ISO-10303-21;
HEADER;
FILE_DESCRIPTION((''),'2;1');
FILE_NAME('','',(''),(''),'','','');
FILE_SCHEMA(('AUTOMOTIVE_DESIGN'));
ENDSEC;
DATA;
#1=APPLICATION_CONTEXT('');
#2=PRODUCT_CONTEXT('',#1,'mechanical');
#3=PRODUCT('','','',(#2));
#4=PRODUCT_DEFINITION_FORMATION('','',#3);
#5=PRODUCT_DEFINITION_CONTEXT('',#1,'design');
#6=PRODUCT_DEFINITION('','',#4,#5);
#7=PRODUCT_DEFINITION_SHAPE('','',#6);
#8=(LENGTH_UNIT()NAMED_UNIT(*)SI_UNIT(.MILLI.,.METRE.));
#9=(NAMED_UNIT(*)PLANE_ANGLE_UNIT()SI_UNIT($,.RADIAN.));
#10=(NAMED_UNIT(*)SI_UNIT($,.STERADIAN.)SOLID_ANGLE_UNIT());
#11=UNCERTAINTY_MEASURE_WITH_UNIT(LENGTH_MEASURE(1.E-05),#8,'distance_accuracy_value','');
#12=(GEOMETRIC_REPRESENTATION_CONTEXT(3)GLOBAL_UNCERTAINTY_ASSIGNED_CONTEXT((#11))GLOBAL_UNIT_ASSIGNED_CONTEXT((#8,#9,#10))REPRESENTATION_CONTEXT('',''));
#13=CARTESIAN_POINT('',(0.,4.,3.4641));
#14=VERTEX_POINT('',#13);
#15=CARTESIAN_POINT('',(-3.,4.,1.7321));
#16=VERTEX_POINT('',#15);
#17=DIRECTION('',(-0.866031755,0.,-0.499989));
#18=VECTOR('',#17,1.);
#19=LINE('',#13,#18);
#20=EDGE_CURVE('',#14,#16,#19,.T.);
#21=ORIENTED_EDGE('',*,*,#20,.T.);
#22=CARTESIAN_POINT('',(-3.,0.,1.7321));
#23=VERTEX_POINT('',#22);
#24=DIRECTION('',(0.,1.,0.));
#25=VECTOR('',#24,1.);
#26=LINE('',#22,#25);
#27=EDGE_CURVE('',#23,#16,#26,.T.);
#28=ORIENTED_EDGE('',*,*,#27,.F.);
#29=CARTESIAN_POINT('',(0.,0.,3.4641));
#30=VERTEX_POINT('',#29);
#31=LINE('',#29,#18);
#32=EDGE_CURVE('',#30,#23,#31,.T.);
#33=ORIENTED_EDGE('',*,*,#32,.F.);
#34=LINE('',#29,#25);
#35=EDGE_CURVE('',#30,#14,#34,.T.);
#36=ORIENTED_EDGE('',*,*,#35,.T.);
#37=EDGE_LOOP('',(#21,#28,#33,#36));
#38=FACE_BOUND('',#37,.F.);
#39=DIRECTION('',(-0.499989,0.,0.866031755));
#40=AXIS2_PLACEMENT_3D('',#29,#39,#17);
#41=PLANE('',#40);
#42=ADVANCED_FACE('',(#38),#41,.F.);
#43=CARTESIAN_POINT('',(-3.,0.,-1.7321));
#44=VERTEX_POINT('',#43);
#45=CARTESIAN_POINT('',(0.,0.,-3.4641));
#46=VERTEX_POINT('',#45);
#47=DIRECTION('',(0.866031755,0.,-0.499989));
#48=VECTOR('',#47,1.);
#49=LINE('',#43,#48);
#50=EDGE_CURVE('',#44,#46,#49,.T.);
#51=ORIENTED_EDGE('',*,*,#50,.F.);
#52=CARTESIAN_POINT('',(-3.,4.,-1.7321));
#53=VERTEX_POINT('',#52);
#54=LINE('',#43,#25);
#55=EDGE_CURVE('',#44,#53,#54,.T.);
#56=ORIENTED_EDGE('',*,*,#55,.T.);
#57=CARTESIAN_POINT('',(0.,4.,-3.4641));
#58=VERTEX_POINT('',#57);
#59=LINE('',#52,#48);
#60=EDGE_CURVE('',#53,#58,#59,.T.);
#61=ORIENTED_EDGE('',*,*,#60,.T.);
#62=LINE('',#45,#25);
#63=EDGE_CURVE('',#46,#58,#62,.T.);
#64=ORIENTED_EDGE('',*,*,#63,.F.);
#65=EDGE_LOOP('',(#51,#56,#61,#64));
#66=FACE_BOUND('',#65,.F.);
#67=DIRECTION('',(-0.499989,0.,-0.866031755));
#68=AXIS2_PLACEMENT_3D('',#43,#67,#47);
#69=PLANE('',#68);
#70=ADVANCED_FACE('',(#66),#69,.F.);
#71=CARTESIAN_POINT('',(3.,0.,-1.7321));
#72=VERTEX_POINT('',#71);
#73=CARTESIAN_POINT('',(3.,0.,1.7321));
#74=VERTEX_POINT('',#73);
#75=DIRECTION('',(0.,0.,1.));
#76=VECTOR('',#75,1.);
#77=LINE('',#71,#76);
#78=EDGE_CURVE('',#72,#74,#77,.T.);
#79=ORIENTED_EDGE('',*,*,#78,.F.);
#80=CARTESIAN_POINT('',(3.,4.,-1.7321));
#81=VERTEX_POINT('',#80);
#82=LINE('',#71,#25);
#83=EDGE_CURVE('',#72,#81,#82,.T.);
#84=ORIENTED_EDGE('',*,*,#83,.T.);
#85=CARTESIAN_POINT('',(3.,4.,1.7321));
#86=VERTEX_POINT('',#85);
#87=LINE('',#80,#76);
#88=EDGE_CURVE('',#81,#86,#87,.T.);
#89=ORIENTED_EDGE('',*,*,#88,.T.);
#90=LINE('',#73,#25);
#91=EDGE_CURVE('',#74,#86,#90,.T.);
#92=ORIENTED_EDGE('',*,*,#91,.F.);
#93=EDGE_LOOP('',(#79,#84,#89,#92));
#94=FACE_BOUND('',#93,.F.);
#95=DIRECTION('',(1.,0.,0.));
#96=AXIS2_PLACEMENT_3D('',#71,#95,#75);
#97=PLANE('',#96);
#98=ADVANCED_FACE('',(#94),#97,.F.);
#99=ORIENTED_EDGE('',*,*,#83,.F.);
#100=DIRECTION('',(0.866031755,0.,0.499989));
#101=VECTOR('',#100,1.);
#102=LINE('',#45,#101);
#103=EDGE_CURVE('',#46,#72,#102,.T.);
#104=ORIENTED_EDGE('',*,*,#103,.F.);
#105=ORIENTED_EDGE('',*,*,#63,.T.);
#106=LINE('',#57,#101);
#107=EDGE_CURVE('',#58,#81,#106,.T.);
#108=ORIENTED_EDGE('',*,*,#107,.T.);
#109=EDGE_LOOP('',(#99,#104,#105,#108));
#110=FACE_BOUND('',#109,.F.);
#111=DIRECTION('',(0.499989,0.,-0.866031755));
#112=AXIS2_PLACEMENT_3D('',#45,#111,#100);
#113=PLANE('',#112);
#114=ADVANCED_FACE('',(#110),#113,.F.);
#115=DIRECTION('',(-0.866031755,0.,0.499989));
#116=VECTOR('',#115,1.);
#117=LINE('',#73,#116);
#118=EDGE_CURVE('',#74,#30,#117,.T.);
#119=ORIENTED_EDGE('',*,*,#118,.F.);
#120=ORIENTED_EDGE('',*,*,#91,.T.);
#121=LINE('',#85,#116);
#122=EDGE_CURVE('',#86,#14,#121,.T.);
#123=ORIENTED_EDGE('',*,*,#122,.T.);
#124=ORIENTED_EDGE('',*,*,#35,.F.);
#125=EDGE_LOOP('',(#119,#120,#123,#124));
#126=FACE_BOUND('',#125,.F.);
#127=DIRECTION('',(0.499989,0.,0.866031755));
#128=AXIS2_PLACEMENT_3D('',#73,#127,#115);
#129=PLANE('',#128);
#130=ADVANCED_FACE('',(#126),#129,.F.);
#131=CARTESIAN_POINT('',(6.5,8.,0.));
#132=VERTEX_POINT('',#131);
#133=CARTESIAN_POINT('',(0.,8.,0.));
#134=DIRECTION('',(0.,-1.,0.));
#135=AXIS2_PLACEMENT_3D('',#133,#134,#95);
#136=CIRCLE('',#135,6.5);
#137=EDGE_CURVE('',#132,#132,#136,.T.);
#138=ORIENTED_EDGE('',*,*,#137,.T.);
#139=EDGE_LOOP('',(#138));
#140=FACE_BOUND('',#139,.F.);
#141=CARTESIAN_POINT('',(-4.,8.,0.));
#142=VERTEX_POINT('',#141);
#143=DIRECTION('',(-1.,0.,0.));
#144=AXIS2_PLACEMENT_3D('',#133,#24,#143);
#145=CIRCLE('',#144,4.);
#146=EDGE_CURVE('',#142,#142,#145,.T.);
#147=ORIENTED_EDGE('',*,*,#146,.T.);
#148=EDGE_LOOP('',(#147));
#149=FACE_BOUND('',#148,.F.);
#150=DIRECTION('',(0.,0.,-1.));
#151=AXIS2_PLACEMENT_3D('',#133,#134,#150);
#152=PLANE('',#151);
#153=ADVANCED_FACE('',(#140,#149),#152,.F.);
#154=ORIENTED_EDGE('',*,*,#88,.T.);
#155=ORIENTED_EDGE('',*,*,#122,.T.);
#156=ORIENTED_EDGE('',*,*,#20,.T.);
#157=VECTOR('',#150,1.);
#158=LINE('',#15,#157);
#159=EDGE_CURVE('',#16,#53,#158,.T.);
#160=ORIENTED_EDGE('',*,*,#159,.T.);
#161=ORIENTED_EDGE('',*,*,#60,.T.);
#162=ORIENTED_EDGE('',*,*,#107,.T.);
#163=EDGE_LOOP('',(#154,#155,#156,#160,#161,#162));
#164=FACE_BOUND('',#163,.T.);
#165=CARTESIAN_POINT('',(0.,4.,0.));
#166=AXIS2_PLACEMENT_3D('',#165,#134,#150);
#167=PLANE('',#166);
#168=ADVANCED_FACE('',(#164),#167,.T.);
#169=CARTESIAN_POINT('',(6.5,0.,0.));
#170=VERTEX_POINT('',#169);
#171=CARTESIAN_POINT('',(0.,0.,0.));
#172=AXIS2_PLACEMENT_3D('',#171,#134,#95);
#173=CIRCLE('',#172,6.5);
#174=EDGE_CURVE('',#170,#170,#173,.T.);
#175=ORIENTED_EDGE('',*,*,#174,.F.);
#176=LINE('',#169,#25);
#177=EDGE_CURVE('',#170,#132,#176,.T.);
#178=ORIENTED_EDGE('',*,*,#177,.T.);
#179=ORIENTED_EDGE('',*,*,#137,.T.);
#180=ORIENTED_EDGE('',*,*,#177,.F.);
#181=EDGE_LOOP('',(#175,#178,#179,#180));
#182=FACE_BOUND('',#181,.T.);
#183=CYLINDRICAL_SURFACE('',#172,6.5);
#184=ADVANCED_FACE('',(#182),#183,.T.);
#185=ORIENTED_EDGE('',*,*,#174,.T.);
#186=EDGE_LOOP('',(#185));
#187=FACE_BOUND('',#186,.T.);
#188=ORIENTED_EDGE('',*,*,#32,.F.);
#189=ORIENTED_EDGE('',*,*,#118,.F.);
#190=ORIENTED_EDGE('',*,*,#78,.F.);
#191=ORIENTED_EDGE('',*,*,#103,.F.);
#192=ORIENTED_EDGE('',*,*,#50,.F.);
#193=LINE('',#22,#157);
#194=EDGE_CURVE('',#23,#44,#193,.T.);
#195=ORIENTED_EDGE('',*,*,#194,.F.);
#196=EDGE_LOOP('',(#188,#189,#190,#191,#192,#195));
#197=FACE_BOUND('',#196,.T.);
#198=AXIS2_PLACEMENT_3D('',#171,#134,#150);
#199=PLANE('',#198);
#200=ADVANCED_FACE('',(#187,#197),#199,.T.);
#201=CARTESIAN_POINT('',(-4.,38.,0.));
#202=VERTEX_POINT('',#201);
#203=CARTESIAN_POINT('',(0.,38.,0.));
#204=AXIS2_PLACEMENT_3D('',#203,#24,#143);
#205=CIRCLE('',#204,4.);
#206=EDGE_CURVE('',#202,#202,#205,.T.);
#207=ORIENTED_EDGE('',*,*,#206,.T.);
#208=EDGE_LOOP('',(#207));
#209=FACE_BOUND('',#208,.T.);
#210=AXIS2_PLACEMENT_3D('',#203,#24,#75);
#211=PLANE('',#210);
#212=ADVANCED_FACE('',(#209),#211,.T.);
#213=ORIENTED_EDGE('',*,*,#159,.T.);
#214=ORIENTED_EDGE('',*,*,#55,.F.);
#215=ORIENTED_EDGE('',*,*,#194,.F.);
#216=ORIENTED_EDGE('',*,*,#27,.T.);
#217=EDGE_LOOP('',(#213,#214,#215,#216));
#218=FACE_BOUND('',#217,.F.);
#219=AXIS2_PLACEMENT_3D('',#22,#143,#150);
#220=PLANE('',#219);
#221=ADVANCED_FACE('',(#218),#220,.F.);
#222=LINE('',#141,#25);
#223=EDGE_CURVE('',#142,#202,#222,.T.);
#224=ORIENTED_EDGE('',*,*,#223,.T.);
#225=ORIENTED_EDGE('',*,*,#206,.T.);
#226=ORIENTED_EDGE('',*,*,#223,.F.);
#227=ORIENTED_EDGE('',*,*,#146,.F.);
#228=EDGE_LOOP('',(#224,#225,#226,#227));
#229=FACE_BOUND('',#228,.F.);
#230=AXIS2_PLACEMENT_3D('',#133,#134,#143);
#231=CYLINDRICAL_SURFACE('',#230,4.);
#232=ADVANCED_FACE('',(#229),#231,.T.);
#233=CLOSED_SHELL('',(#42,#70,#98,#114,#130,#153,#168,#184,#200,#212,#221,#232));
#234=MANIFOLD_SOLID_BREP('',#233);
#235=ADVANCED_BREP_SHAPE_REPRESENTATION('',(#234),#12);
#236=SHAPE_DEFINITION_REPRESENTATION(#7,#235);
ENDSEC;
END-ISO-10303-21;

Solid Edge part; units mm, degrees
sketch "Sketch1" plane through (0, 0, 0) normal (0, -1, 0) x (1, 0, 0)
  circle A0 centre (0, 0) radius 6.5
extrude "Protrusion1" add sketch "Sketch1" against normal blind 8
sketch "Sketch2" plane through (0, 0, 0) normal (0, -1, 0) x (1, 0, 0)
  line L0 (3, 1.7321) -> (0, 3.4641)
  line L1 (0, 3.4641) -> (-3, 1.7321)
  line L2 (-3, 1.7321) -> (-3, -1.7321)
  line L3 (-3, -1.7321) -> (0, -3.4641)
  line L4 (0, -3.4641) -> (3, -1.7321)
  line L5 (3, -1.7321) -> (3, 1.7321)
extrude "ExtrudedCutout_1" cut sketch "Sketch2" against normal blind 4
sketch "Sketch3" plane through (0, 8, 0) normal (0, 1, 0) x (-1, 0, 0)
  circle A0 centre (0, 0) radius 4
extrude "ExtrudedProtrusion_2" add sketch "Sketch3" along normal blind 30
cosmetic_thread "Thread1" size "M8"
properties material "Steel"
